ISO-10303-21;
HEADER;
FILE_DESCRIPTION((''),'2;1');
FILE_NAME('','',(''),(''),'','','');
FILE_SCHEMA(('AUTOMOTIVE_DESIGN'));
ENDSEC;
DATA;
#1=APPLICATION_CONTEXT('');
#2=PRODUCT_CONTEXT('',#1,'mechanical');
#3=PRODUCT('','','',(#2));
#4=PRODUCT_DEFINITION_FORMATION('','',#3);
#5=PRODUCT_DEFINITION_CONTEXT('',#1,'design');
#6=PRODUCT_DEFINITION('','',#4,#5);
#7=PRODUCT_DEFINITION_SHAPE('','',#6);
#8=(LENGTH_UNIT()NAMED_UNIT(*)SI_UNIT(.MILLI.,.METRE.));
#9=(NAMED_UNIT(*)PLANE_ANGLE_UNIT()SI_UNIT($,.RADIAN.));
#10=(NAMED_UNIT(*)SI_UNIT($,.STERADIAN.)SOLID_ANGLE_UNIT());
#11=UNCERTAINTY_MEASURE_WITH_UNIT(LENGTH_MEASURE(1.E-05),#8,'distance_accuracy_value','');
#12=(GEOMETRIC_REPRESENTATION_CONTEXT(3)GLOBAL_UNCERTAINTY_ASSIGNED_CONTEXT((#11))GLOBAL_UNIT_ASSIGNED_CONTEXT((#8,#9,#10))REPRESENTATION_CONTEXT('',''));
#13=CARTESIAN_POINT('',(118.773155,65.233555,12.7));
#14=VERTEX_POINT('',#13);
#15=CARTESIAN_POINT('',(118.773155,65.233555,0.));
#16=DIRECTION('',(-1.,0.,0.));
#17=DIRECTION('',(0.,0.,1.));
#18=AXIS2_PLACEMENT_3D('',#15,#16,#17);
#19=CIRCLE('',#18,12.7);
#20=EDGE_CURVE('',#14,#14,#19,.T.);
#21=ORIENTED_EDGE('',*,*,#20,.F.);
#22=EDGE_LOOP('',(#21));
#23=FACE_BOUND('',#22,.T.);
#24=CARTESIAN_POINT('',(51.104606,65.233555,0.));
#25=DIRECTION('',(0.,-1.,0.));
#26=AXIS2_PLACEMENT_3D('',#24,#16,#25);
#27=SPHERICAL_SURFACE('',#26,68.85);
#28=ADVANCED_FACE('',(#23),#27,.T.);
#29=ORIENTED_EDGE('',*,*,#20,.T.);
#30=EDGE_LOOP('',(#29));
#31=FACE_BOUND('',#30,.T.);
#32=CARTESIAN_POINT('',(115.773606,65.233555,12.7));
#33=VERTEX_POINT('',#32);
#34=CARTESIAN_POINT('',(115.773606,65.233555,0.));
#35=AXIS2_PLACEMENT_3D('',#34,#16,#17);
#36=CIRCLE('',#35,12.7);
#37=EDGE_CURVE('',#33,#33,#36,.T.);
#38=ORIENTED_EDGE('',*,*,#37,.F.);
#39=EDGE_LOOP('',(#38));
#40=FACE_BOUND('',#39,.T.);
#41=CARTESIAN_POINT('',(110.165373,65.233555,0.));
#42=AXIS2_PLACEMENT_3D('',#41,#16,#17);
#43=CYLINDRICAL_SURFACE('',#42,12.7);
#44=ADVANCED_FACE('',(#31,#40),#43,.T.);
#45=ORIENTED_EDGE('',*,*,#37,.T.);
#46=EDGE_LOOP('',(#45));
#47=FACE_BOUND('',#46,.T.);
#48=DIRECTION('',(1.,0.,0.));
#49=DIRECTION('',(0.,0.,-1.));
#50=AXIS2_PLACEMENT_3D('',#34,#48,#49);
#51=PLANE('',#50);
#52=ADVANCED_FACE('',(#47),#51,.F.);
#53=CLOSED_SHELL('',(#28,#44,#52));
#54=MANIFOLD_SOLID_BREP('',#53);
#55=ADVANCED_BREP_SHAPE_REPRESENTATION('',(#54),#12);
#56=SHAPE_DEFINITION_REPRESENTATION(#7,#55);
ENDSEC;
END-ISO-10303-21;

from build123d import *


with BuildPart() as part:
    # 草图1 → 旋转1 (revolve)
    with BuildSketch(Plane.XY, mode=Mode.PRIVATE) as revolve_1_sk:
        with BuildLine():
            Line((115.773606431, 65.233554926), (115.773606431, 77.933554926))
            Line((115.773606431, 77.933554926), (118.773155255, 77.933554926))
            ThreePointArc((118.773155255, 77.933554926), (119.658607359, 71.610972642), (119.954606431, 65.233554926))
            Line((119.954606431, 65.233554926), (115.773606431, 65.233554926))
        make_face()
    revolve(revolve_1_sk.sketch.rotate(Axis((110.165373228, 65.233554926, 0), (1, 0, 0)), 180), axis=Axis((110.165373228, 65.233554926, 0), (1, 0, 0)))  # turned: the seam where the file's is


solid = part.part
